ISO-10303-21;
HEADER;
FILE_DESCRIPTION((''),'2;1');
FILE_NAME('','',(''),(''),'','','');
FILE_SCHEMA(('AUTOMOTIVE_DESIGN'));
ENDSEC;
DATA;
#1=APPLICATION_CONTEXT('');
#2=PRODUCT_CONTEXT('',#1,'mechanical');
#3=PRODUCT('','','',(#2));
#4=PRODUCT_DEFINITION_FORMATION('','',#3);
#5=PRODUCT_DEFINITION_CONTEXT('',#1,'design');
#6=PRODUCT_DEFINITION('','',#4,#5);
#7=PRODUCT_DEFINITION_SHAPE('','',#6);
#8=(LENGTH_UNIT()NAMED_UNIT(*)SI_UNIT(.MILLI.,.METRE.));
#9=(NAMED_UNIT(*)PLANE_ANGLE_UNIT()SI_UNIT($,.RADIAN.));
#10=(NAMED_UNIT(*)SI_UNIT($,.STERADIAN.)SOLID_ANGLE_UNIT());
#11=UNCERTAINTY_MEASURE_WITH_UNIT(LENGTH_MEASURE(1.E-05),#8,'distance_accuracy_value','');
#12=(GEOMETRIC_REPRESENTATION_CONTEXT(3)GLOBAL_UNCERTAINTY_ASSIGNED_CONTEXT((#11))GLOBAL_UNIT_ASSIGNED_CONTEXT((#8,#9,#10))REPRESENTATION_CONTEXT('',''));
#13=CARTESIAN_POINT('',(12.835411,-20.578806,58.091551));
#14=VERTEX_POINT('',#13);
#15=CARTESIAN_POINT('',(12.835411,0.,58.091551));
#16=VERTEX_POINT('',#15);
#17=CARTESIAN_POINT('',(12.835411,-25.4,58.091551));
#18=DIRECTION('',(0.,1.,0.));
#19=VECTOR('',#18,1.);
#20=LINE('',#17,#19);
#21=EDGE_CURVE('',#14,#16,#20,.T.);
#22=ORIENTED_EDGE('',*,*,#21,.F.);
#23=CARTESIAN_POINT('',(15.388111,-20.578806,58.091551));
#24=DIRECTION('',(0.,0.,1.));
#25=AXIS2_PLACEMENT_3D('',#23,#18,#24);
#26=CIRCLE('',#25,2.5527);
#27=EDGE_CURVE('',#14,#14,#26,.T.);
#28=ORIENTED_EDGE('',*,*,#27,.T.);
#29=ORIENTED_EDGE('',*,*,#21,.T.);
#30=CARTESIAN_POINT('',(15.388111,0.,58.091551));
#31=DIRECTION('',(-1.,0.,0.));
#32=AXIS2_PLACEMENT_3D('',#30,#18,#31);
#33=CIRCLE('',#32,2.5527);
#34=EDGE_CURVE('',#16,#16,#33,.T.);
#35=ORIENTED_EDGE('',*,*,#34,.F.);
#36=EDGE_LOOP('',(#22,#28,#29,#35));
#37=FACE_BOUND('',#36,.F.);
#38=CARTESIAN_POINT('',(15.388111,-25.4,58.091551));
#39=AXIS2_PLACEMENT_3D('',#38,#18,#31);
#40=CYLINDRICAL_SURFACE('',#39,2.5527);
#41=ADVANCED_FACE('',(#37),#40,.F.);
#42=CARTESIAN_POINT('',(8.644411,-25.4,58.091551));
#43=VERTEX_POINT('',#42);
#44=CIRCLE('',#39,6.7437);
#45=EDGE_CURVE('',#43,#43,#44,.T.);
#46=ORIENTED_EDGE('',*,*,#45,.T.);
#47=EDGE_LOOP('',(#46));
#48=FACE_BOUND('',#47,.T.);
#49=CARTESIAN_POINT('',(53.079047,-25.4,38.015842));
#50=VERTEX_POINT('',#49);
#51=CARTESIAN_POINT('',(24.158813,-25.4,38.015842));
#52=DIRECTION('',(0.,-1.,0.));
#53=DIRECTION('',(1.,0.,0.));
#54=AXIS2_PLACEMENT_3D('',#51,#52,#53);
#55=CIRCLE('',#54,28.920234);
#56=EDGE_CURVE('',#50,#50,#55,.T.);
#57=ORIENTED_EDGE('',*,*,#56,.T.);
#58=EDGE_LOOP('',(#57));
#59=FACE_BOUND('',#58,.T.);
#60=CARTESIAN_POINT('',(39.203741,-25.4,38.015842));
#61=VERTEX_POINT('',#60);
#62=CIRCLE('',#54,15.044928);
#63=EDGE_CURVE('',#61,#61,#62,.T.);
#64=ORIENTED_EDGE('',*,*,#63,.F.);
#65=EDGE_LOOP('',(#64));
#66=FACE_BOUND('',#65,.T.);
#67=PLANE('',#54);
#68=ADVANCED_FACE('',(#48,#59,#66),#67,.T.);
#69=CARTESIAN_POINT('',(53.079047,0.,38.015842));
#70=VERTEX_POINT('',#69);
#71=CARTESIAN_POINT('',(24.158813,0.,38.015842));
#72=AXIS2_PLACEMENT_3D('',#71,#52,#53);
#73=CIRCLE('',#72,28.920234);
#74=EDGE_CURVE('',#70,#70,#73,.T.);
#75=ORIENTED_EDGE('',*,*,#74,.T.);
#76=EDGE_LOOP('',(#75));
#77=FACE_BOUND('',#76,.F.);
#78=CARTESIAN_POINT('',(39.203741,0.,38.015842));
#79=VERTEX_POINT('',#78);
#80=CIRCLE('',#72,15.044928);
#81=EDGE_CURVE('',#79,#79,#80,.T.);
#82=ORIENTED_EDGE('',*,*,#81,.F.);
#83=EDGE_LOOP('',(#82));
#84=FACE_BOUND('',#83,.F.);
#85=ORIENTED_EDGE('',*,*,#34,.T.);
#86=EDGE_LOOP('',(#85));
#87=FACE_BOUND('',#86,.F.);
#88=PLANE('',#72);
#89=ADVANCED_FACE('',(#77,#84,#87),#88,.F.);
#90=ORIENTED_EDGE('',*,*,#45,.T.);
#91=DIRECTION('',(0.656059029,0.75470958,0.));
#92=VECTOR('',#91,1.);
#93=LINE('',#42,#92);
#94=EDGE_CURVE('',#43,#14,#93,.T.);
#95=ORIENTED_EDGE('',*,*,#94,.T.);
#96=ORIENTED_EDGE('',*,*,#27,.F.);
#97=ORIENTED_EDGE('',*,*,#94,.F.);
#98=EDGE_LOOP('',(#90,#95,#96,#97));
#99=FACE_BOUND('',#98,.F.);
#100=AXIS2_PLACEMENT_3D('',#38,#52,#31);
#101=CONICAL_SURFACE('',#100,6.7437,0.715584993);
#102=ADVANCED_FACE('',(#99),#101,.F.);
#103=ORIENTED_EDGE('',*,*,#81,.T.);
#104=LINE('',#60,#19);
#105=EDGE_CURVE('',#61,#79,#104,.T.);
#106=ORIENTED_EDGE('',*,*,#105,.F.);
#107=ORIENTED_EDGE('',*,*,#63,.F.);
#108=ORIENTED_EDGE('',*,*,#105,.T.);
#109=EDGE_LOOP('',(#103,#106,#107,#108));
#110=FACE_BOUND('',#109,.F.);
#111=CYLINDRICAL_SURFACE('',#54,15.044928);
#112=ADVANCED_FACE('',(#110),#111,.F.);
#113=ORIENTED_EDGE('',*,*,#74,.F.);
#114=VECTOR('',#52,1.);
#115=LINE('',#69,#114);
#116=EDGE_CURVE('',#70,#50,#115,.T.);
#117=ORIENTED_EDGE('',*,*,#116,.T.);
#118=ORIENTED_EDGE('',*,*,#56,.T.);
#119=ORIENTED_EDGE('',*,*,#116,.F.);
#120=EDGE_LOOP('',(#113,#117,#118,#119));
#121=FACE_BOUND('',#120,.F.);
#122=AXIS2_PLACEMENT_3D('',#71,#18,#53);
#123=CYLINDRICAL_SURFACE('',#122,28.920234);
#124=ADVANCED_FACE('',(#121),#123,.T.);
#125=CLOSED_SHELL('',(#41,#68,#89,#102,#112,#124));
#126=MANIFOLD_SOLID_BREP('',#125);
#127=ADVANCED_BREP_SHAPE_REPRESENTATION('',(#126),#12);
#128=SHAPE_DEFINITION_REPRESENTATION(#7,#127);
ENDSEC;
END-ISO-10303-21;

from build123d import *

# Parameters (mm, degrees)
F0_R           = 28.9202335228
F1_DEPTH       = 25.4
F2_R           = 15.0449278179
F3_DEPTH       = 25.401
F5_D           = 5.1054
F5_CSINK_D     = 13.4874
F5_CSINK_ANGLE = 82


with BuildPart() as f1:
    # F0 (on Front) → F1 (new body)
    with BuildSketch(Plane.XZ):
        with Locations((24.1588130593, 38.0158424377)):
            Circle(F0_R)
    extrude(amount=F1_DEPTH)

    # F2 (on face) → F3 (cut, through all)
    with BuildSketch(Plane.XZ.offset(25.4)):
        with Locations((24.1588130593, 38.0158424377)):
            Circle(F2_R)
    extrude(amount=-F3_DEPTH, mode=Mode.SUBTRACT)

    # F5 (through all)
    with Locations(Plane.XZ.offset(25.4)):
        with Locations((15.3881106526, 58.0915510654)):
            CounterSinkHole(F5_D / 2, F5_CSINK_D / 2, counter_sink_angle=F5_CSINK_ANGLE)


solid = f1.part
